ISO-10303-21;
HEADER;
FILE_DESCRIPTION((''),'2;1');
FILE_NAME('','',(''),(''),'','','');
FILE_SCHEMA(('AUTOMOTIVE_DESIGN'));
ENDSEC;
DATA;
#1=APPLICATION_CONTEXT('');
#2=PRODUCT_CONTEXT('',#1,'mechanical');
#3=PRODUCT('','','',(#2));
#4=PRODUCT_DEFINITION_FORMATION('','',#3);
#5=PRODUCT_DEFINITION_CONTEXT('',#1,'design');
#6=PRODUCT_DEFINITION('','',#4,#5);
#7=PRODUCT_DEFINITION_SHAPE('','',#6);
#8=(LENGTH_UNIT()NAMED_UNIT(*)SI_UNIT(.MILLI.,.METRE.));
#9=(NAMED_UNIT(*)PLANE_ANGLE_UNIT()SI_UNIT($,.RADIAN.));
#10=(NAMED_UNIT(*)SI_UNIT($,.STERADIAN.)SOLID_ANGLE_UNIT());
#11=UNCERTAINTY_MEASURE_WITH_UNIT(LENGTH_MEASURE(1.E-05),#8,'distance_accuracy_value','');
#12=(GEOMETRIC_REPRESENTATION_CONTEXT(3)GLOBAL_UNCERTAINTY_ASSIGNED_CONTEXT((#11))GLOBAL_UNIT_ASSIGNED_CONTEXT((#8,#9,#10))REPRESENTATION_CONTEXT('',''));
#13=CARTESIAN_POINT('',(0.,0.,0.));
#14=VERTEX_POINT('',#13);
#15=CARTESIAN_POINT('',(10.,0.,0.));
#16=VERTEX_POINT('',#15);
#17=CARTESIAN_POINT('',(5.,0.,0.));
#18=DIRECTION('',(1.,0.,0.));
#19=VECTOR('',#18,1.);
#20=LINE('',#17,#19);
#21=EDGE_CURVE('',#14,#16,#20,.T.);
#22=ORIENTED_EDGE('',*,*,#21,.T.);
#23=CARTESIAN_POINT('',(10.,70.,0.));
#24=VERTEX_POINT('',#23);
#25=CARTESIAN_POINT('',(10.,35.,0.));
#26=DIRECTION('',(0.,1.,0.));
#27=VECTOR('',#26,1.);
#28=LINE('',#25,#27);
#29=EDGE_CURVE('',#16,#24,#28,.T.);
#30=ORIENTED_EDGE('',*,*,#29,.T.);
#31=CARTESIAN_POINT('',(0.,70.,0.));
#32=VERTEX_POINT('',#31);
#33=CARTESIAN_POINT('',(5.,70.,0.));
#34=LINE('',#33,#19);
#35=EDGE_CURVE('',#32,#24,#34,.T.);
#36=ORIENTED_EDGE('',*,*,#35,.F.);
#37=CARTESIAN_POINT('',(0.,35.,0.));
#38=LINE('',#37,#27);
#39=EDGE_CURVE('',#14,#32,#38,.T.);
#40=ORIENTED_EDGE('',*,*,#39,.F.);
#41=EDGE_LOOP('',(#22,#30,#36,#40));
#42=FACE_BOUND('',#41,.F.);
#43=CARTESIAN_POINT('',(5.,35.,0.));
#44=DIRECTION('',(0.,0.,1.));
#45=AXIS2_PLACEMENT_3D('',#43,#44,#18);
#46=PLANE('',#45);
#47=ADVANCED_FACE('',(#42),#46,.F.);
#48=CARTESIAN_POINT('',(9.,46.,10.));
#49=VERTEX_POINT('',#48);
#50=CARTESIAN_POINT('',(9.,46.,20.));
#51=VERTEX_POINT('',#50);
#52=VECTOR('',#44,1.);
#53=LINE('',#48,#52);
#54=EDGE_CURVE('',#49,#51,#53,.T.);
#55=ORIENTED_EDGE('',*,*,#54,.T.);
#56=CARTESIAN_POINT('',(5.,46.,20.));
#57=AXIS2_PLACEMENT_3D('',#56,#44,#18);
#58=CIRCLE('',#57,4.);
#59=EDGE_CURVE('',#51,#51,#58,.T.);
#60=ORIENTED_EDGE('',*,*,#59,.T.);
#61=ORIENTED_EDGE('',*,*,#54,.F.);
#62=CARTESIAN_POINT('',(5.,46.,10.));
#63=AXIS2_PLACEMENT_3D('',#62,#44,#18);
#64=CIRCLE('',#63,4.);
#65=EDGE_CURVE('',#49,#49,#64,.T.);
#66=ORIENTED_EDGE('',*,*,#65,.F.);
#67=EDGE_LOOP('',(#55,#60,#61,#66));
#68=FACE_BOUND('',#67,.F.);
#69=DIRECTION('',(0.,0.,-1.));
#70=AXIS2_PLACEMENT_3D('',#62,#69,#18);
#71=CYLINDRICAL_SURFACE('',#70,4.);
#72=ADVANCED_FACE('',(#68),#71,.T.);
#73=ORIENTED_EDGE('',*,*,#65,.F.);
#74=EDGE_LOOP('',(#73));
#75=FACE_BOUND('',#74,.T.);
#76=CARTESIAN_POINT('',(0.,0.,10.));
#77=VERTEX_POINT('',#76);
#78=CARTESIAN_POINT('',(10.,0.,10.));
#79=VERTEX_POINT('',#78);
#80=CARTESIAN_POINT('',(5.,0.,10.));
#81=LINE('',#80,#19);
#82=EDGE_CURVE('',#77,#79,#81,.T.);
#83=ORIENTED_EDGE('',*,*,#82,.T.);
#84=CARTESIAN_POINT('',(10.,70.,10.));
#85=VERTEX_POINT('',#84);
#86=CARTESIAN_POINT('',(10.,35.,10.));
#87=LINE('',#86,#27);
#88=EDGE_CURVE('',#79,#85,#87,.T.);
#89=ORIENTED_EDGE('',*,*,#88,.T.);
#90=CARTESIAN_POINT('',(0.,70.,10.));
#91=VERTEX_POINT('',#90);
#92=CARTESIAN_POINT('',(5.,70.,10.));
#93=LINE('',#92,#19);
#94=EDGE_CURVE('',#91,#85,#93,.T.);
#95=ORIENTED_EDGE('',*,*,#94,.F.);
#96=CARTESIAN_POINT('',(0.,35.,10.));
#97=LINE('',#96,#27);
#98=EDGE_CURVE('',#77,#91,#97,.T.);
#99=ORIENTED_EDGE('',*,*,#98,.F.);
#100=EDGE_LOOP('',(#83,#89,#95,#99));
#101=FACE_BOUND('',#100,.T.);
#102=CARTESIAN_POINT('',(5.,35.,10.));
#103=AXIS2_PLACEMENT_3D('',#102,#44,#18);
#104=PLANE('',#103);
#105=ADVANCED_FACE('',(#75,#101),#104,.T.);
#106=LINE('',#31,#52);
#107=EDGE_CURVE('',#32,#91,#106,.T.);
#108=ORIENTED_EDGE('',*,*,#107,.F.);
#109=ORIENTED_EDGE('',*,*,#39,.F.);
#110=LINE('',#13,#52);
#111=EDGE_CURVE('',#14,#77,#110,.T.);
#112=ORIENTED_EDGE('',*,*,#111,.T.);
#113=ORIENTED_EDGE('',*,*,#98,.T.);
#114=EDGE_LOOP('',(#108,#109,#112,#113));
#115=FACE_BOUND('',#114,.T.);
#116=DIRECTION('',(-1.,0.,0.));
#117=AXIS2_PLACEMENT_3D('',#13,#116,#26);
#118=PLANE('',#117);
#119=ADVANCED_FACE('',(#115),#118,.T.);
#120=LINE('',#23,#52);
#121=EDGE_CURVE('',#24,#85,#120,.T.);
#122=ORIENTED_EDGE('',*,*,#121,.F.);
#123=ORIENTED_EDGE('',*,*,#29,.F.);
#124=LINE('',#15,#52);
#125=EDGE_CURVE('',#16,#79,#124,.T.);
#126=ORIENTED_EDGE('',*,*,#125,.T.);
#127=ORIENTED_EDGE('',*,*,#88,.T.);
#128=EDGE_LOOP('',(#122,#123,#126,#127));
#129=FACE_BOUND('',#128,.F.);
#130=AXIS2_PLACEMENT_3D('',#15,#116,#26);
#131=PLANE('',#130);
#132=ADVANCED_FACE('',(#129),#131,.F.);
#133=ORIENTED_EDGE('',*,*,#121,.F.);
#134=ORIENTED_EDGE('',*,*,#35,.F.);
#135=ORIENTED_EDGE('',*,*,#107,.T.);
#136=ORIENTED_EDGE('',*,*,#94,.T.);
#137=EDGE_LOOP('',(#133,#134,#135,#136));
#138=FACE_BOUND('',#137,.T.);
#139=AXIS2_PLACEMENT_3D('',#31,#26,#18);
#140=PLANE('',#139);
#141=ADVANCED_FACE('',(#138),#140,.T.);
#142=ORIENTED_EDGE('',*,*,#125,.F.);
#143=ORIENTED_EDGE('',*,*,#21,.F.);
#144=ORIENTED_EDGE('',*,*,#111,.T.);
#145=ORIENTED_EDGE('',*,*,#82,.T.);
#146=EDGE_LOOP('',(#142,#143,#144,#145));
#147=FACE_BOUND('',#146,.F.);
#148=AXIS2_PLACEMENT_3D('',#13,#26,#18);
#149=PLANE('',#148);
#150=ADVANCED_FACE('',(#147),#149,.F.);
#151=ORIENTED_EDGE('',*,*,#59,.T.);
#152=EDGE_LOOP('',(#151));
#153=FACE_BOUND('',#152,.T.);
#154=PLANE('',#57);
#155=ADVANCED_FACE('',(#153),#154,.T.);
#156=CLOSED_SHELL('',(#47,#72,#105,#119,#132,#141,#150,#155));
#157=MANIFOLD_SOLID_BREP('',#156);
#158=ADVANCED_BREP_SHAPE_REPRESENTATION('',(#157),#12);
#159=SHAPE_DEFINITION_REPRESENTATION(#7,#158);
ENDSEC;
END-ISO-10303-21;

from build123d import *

# Parameters (mm, degrees)
SKETCH_W     = 10
SKETCH_H     = 70
PAD_DEPTH    = 10
SKETCH001_R  = 4
PAD001_DEPTH = 10


with BuildPart() as part:
    # Sketch → Pad (new body)
    with BuildSketch(Plane.XY):
        with Locations((5, 35)):
            Rectangle(SKETCH_W, SKETCH_H)
    extrude(amount=PAD_DEPTH)

    # Sketch001 (on Face6 of Pad) → Pad001 (join)
    with BuildSketch(Plane.XY.offset(10)):
        with Locations((5, 46)):
            Circle(SKETCH001_R)
    extrude(amount=PAD001_DEPTH)


solid = part.part
